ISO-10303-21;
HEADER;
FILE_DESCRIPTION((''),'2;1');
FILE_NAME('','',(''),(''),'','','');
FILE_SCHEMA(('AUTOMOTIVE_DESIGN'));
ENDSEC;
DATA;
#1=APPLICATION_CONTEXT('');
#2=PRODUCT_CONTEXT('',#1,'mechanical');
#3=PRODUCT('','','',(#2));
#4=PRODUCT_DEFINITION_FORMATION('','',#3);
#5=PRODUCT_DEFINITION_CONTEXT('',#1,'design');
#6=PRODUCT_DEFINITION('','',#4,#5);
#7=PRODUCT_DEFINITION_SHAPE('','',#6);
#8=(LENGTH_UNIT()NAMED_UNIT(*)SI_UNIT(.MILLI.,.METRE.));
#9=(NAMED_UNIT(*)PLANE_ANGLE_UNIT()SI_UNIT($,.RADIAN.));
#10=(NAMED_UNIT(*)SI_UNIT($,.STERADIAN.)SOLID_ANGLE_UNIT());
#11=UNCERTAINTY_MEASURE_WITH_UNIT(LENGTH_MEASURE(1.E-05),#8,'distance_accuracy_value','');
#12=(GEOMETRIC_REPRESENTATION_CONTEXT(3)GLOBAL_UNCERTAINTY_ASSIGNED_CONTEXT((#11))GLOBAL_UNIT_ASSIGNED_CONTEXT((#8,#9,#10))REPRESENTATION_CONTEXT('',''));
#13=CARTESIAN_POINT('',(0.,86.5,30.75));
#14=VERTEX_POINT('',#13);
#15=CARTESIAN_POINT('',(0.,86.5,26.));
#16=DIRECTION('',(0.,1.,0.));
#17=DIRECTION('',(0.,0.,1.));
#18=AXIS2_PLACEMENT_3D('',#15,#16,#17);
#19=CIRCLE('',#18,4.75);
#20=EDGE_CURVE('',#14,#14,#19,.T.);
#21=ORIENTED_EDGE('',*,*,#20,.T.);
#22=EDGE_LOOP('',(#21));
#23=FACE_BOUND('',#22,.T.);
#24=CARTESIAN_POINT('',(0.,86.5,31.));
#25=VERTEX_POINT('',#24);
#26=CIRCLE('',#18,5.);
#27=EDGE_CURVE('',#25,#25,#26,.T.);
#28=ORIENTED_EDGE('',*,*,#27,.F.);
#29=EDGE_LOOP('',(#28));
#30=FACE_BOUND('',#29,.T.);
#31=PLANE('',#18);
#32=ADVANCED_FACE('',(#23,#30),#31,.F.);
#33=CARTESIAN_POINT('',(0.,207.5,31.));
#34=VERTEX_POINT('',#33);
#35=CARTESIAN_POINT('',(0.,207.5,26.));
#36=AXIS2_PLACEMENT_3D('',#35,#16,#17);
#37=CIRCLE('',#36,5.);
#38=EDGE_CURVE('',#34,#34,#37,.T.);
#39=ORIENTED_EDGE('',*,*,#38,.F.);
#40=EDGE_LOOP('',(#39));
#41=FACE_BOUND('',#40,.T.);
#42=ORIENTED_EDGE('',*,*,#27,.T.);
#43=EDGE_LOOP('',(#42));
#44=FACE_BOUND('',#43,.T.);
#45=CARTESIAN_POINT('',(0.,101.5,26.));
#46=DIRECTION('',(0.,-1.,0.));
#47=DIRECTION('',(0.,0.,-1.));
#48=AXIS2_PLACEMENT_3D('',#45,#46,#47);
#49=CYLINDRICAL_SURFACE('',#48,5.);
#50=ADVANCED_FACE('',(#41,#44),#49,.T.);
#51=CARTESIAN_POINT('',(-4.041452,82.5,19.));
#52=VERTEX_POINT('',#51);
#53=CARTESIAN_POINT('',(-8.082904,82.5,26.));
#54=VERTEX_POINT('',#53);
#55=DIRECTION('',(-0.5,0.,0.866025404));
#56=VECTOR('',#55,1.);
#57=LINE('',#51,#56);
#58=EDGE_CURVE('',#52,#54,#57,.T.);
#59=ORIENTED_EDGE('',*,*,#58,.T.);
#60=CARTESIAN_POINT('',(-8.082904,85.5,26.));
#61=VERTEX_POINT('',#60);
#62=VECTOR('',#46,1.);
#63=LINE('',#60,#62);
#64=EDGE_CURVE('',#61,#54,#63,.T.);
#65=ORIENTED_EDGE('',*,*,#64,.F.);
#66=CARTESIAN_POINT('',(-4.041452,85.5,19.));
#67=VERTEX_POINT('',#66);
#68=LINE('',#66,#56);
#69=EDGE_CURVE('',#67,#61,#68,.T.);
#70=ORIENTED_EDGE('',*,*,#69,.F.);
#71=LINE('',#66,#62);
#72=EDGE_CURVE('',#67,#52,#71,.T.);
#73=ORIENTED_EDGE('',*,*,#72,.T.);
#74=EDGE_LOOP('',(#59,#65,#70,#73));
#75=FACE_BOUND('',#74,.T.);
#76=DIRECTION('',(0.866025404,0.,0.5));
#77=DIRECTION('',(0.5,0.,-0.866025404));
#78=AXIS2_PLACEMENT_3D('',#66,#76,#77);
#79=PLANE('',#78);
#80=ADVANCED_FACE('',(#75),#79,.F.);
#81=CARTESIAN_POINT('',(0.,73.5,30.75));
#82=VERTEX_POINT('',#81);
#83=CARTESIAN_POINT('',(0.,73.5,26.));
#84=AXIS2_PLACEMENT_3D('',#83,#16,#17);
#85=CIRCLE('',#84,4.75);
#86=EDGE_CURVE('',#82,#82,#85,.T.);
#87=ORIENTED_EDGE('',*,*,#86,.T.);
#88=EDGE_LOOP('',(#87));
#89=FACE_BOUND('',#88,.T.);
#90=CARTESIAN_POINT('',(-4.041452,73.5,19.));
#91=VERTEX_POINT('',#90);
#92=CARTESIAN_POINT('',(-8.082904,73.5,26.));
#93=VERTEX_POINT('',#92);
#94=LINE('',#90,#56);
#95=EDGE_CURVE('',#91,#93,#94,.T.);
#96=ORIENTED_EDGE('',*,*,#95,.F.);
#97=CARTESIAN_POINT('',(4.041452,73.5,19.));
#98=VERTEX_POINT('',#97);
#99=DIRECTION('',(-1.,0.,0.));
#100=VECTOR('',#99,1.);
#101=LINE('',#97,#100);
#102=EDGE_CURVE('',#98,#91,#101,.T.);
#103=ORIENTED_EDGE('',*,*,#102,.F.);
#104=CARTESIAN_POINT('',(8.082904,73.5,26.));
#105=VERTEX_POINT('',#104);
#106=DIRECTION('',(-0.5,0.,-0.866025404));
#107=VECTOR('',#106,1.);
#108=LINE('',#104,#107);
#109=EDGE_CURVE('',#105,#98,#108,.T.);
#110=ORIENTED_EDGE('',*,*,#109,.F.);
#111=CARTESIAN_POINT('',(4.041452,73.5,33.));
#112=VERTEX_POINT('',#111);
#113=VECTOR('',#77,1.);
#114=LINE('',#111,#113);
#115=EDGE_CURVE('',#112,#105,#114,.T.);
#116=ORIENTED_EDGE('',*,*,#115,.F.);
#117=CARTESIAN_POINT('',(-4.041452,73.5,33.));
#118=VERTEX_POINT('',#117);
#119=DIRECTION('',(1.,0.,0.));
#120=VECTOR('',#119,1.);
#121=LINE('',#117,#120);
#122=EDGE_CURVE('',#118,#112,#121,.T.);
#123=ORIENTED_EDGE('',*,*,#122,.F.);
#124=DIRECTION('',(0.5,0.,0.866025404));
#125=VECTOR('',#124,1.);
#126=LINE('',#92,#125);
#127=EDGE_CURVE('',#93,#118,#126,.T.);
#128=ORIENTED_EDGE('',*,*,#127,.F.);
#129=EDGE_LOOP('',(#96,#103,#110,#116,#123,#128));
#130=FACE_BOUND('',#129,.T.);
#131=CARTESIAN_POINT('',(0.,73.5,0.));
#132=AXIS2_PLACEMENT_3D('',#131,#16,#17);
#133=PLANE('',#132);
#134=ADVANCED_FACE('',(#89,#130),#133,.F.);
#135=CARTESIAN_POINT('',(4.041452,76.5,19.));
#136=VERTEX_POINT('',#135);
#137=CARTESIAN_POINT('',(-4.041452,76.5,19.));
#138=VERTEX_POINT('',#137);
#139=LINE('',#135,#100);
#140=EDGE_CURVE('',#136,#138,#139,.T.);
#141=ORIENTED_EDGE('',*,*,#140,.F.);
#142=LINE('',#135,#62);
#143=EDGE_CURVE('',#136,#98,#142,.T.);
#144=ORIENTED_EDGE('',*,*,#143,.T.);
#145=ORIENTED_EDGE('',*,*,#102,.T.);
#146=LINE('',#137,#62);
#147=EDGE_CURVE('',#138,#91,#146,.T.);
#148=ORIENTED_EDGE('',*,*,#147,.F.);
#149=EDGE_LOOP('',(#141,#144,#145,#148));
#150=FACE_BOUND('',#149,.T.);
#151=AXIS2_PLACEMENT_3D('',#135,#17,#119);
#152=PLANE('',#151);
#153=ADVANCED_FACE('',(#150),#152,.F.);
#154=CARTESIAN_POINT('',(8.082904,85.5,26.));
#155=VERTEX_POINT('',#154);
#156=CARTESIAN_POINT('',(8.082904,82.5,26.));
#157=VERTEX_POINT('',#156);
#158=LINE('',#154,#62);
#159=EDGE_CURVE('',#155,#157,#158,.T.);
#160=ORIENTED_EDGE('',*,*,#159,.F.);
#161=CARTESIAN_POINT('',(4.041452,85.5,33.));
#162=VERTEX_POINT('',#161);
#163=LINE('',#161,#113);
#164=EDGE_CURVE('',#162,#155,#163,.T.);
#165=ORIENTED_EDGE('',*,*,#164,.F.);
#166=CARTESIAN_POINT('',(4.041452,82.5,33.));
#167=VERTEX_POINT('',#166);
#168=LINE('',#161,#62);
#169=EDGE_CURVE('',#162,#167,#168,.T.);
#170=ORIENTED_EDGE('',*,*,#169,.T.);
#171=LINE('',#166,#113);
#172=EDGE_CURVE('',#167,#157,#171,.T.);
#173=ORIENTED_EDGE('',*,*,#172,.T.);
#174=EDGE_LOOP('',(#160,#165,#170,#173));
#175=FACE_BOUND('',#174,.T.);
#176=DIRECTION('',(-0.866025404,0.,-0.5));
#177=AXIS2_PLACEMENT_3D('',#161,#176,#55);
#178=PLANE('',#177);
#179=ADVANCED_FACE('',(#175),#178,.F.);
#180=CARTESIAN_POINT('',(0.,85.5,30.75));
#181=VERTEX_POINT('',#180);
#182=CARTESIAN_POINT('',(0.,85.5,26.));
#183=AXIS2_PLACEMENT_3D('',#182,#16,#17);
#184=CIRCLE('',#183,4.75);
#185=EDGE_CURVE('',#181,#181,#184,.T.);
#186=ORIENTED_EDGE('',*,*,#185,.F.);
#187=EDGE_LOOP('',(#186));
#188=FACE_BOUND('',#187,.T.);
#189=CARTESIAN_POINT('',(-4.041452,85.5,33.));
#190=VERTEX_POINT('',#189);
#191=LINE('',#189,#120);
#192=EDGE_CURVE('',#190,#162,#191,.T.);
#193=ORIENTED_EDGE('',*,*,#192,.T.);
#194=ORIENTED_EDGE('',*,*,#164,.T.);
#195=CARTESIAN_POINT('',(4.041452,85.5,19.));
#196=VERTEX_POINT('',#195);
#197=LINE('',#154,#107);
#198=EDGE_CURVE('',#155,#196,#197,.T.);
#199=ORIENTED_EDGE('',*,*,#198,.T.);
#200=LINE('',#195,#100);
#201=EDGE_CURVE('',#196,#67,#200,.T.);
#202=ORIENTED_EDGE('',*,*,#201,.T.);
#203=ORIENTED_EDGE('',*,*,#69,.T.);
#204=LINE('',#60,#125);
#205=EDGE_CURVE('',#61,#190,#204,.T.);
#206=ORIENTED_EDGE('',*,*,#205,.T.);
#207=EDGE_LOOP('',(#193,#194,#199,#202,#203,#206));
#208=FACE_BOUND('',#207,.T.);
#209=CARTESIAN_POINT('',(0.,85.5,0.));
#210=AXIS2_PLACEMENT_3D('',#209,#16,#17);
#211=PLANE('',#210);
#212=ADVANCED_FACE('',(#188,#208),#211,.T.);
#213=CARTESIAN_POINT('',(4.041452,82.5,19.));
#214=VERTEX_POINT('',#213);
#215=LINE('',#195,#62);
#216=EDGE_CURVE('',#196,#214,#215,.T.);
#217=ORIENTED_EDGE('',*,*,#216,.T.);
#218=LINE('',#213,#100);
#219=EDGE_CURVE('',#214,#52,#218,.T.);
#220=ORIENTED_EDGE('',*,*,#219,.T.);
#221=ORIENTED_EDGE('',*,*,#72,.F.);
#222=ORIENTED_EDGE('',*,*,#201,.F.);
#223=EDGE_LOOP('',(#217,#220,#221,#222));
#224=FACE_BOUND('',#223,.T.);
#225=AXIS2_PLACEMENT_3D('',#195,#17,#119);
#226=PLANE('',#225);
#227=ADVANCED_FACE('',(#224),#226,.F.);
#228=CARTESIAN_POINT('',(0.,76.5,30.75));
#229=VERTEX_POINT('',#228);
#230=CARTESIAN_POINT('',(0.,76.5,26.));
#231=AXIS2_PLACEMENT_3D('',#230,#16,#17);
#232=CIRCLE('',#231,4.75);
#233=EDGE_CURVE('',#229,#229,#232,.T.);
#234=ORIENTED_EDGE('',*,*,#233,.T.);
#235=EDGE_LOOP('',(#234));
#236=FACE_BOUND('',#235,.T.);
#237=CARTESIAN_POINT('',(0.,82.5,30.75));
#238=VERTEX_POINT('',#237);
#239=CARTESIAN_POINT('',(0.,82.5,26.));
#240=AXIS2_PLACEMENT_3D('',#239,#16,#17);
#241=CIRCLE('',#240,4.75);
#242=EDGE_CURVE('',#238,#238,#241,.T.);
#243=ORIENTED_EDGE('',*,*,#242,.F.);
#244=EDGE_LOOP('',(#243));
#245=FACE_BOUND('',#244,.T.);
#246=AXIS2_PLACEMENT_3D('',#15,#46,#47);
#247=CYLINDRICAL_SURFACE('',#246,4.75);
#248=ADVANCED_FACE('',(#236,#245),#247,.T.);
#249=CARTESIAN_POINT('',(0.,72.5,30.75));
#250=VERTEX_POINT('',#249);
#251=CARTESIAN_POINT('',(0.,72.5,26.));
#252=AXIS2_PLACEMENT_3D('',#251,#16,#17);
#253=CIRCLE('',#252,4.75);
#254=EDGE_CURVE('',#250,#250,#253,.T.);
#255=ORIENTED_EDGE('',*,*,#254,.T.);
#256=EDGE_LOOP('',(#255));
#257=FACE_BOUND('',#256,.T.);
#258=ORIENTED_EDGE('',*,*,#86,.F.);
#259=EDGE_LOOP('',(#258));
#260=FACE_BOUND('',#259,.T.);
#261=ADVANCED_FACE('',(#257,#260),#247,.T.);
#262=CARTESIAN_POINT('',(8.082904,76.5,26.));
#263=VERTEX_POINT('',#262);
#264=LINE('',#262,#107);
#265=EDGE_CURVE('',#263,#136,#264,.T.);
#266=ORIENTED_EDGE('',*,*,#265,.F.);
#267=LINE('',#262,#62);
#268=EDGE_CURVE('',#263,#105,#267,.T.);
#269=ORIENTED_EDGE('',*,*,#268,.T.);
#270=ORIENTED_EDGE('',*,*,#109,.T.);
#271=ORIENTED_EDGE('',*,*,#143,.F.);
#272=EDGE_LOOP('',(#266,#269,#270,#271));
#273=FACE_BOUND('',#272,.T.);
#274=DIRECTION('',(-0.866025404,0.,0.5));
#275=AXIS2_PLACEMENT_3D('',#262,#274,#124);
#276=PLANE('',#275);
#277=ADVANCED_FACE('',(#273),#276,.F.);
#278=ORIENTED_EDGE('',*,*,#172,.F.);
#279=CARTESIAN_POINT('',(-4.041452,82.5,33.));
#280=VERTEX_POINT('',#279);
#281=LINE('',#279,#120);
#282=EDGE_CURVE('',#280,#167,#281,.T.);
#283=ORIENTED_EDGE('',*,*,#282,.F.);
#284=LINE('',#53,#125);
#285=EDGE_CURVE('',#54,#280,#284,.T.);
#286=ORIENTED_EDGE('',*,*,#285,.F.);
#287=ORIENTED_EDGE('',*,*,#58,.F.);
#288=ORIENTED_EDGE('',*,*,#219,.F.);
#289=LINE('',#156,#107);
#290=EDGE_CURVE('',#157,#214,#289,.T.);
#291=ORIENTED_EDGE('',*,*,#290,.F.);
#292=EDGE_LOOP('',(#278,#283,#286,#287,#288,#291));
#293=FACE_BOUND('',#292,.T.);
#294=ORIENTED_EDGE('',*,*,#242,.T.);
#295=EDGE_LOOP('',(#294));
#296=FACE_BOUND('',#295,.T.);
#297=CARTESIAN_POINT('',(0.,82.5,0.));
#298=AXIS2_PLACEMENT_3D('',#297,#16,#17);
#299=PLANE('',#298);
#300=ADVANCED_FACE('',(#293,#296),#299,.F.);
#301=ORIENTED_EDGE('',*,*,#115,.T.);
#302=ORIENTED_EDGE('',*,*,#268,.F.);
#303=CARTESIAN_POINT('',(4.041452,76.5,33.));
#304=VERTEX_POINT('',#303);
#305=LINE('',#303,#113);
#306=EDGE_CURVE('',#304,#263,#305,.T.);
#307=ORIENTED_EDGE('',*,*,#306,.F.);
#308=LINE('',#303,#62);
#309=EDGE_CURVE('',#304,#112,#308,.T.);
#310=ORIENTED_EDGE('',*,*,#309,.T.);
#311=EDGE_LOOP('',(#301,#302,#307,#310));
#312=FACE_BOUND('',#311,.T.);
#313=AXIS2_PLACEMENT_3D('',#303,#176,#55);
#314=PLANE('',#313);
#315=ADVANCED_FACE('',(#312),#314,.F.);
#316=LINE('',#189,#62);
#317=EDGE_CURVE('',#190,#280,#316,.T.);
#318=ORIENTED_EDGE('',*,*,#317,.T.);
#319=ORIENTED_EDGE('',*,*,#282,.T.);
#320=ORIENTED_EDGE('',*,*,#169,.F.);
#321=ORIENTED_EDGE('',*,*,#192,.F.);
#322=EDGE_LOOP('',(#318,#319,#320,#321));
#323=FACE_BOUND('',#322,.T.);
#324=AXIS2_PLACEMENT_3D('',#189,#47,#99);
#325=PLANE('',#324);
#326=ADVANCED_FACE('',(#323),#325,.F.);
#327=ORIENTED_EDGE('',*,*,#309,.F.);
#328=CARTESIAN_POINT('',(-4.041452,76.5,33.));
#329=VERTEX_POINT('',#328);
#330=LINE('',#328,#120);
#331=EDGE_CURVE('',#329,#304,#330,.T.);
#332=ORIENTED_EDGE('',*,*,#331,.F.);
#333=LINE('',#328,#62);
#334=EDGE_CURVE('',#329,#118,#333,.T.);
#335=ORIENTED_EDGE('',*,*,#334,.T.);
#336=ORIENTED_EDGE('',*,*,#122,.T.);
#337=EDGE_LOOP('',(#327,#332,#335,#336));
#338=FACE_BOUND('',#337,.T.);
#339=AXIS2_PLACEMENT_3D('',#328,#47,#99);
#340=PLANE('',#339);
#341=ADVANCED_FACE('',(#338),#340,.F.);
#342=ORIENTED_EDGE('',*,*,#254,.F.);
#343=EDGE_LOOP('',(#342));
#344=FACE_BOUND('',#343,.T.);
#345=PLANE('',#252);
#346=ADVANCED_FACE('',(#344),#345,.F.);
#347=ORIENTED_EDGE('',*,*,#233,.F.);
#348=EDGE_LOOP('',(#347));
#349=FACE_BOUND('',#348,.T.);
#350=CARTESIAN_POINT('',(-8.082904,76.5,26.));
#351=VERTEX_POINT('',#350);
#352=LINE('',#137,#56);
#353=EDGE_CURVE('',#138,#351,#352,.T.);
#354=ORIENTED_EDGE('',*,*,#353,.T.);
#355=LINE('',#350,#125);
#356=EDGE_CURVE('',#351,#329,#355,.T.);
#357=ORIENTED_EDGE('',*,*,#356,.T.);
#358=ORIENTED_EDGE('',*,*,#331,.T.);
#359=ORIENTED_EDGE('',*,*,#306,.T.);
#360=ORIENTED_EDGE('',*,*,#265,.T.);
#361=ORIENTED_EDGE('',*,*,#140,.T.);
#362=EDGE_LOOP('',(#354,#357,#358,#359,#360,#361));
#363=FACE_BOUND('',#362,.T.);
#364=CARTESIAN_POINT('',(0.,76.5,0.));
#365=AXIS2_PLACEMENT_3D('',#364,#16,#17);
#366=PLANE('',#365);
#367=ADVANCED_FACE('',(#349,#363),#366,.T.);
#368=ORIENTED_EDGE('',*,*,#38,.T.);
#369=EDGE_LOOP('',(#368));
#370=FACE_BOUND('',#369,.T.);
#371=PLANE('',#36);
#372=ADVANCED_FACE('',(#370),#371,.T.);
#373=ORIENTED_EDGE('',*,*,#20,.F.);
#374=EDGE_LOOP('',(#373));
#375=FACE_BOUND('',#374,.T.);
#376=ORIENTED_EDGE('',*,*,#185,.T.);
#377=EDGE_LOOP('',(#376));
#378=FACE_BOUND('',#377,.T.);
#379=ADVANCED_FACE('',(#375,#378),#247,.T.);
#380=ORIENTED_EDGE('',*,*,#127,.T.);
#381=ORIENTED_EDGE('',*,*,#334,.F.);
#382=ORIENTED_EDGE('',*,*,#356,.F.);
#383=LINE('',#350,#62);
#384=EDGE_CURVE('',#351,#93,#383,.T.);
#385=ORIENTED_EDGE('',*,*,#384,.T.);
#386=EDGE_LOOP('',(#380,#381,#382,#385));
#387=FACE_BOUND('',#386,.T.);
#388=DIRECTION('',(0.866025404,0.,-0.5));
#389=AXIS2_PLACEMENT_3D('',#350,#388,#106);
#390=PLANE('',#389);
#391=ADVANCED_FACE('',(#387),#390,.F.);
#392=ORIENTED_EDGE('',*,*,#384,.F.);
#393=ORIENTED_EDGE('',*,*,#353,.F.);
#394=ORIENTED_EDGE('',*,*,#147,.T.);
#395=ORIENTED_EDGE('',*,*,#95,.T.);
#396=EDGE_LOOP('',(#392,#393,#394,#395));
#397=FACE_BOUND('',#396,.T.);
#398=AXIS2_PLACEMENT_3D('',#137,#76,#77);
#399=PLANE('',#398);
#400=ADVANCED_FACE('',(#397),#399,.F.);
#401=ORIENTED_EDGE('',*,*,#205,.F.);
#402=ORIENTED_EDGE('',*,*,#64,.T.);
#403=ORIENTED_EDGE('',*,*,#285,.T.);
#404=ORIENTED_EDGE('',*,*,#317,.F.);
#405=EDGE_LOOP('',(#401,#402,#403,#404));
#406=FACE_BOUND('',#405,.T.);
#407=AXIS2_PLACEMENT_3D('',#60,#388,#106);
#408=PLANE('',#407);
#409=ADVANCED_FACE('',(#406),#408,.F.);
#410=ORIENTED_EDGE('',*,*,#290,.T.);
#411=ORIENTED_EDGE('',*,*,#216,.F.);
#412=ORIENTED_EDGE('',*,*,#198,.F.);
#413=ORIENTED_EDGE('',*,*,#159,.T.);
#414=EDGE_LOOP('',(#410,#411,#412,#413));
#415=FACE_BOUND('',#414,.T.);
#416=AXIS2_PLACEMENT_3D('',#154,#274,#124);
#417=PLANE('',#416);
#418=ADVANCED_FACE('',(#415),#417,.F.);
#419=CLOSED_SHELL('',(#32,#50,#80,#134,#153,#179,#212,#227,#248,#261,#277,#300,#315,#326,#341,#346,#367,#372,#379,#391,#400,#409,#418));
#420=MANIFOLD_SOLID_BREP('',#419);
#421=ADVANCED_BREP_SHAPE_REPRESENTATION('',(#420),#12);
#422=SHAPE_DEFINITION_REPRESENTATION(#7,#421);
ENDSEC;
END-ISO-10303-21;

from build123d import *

# Parameters (mm, degrees)
SKETCH1_R           = 4.75
BOSS_EXTRUDE1_DEPTH = 14
BOSS_EXTRUDE2_DEPTH = 3
BOSS_EXTRUDE3_DEPTH = 3
SKETCH4_R           = 5
BOSS_EXTRUDE4_DEPTH = 15
SKETCH5_R           = 5
BOSS_EXTRUDE5_DEPTH = 106


with BuildPart() as part:
    # Sketch1 → Boss-Extrude1 (new body)
    with BuildSketch(Plane(origin=(0, 72.5, 0), x_dir=(1, 0, 0), z_dir=(0, 1, 0))):
        with Locations(Location((0, -26, 0), (0, 0, 270))):
            Circle(SKETCH1_R)
    extrude(amount=BOSS_EXTRUDE1_DEPTH)

    # Sketch2 → Boss-Extrude2 (add)
    with BuildSketch(Plane(origin=(0, 73.5, 0), x_dir=(1, 0, 0), z_dir=(0, 1, 0))):
        Polygon((8.082903769, -26), (4.041451884, -19), (-4.041451884, -19), (-8.082903769, -26), (-4.041451884, -33), (4.041451884, -33), align=None)
    extrude(amount=BOSS_EXTRUDE2_DEPTH)

    # Sketch3 → Boss-Extrude3 (add)
    with BuildSketch(Plane(origin=(0, 82.5, 0), x_dir=(1, 0, 0), z_dir=(0, 1, 0))):
        Polygon((8.082903769, -26), (4.041451884, -19), (-4.041451884, -19), (-8.082903769, -26), (-4.041451884, -33), (4.041451884, -33), align=None)
    extrude(amount=BOSS_EXTRUDE3_DEPTH)

    # Sketch4 → Boss-Extrude4 (add)
    with BuildSketch(Plane(origin=(0, 86.5, 0), x_dir=(1, 0, 0), z_dir=(0, 1, 0))):
        with Locations(Location((0, -26, 0), (0, 0, 270))):
            Circle(SKETCH4_R)
    extrude(amount=BOSS_EXTRUDE4_DEPTH)

    # Sketch5 → Boss-Extrude5 (add)
    with BuildSketch(Plane(origin=(0, 101.5, 0), x_dir=(1, 0, 0), z_dir=(0, 1, 0))):
        with Locations(Location((0, -26, 0), (0, 0, 270))):
            Circle(SKETCH5_R)
    extrude(amount=BOSS_EXTRUDE5_DEPTH)


solid = part.part
